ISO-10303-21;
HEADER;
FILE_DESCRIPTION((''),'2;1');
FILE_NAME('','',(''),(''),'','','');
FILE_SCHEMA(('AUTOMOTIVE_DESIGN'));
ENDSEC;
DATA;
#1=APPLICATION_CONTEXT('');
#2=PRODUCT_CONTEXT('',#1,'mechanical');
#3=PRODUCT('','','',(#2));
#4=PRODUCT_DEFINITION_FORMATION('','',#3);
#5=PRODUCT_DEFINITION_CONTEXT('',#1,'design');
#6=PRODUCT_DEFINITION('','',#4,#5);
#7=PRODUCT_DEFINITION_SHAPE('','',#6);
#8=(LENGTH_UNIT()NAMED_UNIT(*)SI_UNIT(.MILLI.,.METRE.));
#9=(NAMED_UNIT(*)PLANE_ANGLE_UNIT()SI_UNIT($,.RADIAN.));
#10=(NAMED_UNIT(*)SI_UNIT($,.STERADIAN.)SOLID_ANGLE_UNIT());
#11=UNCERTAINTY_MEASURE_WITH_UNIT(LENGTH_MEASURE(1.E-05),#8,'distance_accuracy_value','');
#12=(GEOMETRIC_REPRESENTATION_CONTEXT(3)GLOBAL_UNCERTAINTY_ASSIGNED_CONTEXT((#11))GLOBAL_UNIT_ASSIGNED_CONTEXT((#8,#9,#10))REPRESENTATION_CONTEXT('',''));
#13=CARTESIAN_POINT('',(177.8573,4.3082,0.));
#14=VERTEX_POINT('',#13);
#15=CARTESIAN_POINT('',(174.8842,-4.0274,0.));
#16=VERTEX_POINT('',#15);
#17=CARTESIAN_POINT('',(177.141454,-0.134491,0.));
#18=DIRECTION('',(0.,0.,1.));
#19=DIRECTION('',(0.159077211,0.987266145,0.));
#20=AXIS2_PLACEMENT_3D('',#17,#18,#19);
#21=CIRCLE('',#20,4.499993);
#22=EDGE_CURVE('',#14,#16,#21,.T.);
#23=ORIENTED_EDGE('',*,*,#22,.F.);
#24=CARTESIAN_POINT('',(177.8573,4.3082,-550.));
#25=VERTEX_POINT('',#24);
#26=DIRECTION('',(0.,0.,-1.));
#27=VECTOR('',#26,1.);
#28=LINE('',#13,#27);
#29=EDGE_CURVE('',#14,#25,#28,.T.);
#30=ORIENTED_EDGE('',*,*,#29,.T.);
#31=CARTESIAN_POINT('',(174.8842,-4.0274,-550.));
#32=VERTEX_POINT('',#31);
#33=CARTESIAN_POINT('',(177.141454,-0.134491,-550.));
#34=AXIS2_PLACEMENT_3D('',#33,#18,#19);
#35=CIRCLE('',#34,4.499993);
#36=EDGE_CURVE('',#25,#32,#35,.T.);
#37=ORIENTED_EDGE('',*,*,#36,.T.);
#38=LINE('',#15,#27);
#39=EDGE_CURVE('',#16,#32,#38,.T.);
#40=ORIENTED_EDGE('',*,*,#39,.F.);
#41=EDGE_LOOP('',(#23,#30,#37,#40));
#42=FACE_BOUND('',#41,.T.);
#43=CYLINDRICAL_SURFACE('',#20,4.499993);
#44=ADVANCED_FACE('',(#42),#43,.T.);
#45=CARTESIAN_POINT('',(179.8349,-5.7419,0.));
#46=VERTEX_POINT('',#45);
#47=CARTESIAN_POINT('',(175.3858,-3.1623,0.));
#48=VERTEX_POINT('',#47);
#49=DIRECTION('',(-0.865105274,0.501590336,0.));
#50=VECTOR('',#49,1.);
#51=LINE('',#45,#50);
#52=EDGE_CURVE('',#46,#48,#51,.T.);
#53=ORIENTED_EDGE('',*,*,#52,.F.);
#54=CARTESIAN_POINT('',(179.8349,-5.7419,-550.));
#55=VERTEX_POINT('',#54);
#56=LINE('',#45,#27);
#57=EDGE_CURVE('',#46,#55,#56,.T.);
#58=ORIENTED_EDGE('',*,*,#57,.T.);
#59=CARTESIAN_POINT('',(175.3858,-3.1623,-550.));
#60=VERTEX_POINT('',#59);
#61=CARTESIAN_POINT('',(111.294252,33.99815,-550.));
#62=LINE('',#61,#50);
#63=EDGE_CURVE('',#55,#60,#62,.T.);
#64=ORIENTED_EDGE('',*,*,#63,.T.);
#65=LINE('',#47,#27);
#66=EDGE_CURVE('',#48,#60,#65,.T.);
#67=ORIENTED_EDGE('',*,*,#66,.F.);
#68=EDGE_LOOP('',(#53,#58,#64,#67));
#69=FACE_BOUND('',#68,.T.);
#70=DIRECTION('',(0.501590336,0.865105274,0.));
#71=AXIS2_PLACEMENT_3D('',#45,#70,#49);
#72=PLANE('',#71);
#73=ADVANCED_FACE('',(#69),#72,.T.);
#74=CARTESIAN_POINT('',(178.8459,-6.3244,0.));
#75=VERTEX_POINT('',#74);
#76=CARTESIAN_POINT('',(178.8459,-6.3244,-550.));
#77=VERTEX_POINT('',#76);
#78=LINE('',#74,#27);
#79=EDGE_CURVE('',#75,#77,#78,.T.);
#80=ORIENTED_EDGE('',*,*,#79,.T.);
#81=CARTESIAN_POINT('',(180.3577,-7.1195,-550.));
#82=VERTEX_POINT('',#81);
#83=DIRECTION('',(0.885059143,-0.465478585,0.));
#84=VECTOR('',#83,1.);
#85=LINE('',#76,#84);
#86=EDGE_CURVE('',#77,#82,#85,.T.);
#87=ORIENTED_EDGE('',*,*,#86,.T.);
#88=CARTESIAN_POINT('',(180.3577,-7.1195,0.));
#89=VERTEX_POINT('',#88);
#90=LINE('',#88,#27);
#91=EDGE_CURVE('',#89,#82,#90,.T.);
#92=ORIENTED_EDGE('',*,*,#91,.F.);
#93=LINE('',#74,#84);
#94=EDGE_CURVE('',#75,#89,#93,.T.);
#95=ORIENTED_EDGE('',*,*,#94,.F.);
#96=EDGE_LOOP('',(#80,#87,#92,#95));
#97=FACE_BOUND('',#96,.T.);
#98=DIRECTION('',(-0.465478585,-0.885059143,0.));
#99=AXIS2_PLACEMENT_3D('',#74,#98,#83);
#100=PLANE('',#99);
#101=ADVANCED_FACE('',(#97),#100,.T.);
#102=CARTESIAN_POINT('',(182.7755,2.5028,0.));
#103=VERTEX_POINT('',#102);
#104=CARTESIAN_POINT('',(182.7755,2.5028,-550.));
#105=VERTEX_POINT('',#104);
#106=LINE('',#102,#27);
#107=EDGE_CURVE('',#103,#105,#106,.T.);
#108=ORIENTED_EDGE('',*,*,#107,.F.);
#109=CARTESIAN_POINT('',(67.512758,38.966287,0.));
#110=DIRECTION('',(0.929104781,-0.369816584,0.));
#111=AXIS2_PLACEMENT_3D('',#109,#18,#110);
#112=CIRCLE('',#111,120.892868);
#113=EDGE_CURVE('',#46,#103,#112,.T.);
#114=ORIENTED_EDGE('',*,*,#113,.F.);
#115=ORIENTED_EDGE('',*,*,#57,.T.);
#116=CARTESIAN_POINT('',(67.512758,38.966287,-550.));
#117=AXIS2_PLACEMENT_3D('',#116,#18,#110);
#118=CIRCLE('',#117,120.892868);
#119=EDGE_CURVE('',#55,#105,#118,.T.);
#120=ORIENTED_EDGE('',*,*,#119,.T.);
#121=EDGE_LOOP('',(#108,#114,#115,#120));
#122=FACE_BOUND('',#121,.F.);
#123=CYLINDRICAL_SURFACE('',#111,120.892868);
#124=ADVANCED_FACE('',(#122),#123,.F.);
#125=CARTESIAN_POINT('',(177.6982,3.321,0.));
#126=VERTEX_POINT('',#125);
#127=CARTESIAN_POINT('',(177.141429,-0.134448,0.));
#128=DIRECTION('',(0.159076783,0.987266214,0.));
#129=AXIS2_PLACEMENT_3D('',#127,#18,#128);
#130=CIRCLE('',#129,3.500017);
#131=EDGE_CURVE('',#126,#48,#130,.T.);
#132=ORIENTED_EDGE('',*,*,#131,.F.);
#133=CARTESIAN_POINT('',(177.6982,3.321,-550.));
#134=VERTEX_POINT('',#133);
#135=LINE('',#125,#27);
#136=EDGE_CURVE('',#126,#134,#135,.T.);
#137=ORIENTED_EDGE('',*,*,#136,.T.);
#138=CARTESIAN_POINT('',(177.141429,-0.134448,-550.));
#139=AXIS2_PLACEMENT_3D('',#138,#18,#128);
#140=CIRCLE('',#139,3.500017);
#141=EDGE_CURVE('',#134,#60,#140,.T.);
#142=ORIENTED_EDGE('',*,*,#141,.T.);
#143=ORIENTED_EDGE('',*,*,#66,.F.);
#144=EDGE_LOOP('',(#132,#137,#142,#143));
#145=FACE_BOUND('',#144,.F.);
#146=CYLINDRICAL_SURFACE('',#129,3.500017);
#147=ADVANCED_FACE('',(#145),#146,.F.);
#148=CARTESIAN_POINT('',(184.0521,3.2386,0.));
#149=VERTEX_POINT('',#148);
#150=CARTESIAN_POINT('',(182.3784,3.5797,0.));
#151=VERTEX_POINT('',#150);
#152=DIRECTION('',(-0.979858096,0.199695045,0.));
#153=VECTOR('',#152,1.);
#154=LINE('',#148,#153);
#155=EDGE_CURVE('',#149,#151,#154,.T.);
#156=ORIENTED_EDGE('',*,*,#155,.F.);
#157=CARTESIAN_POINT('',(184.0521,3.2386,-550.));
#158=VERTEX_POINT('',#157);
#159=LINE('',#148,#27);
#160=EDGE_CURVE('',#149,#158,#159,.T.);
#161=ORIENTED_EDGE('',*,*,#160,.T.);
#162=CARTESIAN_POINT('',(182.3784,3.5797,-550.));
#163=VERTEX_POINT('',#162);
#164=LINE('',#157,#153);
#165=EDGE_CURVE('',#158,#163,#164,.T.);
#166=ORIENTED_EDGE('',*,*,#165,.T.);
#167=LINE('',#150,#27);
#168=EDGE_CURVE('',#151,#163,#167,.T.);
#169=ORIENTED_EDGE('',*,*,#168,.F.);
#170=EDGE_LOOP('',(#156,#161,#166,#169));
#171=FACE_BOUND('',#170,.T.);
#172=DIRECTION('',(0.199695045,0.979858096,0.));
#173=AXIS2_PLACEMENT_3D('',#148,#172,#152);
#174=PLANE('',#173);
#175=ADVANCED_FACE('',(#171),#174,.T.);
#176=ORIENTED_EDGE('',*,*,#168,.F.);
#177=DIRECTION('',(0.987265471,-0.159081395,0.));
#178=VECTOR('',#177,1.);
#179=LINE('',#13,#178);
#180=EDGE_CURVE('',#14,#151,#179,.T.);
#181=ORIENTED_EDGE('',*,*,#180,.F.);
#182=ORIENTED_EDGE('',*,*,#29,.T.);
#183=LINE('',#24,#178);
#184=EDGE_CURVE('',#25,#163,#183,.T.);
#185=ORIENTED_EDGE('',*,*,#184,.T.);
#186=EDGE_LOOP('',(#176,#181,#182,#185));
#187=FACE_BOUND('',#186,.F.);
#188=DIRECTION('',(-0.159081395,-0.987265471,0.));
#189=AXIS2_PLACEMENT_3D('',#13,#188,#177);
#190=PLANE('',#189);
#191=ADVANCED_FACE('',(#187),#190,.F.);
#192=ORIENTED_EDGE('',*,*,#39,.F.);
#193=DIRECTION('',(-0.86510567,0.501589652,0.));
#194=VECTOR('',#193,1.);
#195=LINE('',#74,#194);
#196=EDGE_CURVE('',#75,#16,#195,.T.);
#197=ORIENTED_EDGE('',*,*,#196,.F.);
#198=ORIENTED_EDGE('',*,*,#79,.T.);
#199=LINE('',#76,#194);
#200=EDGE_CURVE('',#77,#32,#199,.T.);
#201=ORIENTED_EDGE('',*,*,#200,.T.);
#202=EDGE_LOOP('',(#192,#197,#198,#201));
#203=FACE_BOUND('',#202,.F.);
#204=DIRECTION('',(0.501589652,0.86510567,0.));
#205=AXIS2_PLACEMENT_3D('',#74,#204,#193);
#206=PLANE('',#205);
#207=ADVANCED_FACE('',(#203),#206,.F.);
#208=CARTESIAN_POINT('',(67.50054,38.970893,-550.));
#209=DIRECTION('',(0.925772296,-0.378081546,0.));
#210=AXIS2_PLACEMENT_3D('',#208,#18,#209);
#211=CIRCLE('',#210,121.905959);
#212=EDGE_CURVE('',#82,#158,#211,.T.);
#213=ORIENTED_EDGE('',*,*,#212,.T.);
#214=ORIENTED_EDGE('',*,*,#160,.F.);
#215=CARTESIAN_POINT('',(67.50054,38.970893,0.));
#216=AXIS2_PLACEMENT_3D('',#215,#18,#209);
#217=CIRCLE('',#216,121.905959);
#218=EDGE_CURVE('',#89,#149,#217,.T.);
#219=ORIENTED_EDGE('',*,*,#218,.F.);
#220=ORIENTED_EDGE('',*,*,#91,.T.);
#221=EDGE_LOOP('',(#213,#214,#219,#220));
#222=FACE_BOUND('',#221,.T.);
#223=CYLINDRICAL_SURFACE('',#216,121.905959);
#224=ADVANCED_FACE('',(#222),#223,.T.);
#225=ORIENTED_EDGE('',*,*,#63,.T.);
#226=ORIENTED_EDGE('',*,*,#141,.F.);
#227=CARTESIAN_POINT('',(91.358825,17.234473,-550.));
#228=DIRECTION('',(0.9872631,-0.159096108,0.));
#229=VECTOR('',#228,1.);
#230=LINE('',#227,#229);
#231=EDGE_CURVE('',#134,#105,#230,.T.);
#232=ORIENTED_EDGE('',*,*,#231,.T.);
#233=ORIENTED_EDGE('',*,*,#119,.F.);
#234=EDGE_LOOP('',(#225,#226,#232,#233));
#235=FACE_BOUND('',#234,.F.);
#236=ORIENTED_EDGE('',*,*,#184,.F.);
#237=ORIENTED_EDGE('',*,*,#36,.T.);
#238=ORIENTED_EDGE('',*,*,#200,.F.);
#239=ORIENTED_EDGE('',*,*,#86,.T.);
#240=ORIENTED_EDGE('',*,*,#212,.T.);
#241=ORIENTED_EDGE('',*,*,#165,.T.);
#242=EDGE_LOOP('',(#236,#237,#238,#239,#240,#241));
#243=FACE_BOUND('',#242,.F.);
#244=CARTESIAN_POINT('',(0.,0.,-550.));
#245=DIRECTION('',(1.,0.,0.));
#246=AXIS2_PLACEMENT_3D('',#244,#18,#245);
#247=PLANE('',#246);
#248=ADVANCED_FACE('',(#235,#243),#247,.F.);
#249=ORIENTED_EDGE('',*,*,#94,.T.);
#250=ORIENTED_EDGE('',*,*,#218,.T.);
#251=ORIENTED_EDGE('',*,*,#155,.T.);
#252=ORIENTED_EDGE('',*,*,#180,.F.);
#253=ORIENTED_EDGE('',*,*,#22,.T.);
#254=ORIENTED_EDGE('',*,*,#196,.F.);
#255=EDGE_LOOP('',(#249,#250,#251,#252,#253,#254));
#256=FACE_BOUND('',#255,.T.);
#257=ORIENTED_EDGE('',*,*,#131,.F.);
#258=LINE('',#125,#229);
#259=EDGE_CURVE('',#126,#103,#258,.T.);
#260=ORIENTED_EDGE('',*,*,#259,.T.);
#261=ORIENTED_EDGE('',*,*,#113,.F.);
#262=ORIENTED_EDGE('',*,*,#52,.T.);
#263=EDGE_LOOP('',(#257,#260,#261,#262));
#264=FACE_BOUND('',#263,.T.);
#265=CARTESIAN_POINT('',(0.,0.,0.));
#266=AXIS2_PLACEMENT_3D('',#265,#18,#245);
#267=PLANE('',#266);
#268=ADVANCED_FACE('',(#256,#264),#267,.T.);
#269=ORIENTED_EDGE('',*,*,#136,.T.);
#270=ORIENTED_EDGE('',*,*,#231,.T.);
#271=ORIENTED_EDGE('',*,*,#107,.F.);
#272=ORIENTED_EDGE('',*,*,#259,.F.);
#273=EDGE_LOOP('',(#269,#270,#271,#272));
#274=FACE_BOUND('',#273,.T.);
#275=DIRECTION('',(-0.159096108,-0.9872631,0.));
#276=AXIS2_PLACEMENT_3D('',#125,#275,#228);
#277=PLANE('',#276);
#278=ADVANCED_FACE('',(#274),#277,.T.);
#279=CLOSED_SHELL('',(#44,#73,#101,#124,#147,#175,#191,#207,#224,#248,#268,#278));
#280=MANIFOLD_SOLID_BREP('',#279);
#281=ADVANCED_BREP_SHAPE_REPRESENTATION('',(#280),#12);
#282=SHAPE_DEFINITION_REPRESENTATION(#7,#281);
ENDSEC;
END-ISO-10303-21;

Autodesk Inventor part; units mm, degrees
ref_plane "YZ Plane" through (0, 0, 0) normal (1, 0, 0) x (0, 1, 0)
ref_plane "XZ Plane" through (0, 0, 0) normal (0, 1, 0) x (-1, 0, 0)
ref_plane "XY Plane" through (0, 0, 0) normal (0, 0, 1) x (1, 0, 0)
ref_plane "Work Plane1" through (0, 0, 0) normal (0, 0, 1) x (1, 0, 0)
sketch "Sketch1" plane through (0, 0, 0) normal (0, 0, 1) x (1, 0, 0)
  arc A0 (180.3577, -7.1195) -> (184.0521, 3.2386) centre (67.5, 38.9711) ccw
  line L0 (177.8573, 4.3082) -> (182.3784, 3.5797) projected
  arc A1 (177.8573, 4.3082) -> (174.8842, -4.0274) centre (177.1414, -0.1344) ccw projected
  line L1 (178.8459, -6.3244) -> (174.8842, -4.0274) projected
  line L2 (184.0521, 3.2386) -> (182.3784, 3.5797)
  line L3 (178.8459, -6.3244) -> (180.3577, -7.1195)
  point P0 (0, 0)
extrude "Extrusion1" add sketch "Sketch1" against normal blind 550
sketch "Sketch2" plane through (0, 0, 0) normal (0, 0, 1) x (1, 0, 0)
  arc A0 (180.3577, -7.1195) -> (184.0521, 3.2386) centre (67.5, 38.9711) ccw projected
  line L0 (182.3784, 3.5797) -> (184.0521, 3.2386) projected
  line L1 (177.8573, 4.3082) -> (182.3784, 3.5797) projected
  arc A1 (177.8573, 4.3082) -> (174.8842, -4.0274) centre (177.1414, -0.1344) ccw projected
  line L2 (178.8459, -6.3244) -> (174.8842, -4.0274) projected
  line L3 (180.3577, -7.1195) -> (178.8459, -6.3244) projected
  arc A2 (179.8349, -5.7419) -> (182.7755, 2.5028) centre (67.5, 38.9711) ccw
  line L4 (179.8349, -5.7419) -> (175.3858, -3.1623)
  arc A3 (177.6982, 3.321) -> (175.3858, -3.1623) centre (177.1414, -0.1344) ccw
  line L5 (177.6982, 3.321) -> (182.7755, 2.5028)
  point P0 (0, 0)
  dimension "d2" = 1
extrude "Extrusion2" cut sketch "Sketch2" against normal blind 590 contours L4 A3 L5 A2
properties part number "limit_swich_cover"
